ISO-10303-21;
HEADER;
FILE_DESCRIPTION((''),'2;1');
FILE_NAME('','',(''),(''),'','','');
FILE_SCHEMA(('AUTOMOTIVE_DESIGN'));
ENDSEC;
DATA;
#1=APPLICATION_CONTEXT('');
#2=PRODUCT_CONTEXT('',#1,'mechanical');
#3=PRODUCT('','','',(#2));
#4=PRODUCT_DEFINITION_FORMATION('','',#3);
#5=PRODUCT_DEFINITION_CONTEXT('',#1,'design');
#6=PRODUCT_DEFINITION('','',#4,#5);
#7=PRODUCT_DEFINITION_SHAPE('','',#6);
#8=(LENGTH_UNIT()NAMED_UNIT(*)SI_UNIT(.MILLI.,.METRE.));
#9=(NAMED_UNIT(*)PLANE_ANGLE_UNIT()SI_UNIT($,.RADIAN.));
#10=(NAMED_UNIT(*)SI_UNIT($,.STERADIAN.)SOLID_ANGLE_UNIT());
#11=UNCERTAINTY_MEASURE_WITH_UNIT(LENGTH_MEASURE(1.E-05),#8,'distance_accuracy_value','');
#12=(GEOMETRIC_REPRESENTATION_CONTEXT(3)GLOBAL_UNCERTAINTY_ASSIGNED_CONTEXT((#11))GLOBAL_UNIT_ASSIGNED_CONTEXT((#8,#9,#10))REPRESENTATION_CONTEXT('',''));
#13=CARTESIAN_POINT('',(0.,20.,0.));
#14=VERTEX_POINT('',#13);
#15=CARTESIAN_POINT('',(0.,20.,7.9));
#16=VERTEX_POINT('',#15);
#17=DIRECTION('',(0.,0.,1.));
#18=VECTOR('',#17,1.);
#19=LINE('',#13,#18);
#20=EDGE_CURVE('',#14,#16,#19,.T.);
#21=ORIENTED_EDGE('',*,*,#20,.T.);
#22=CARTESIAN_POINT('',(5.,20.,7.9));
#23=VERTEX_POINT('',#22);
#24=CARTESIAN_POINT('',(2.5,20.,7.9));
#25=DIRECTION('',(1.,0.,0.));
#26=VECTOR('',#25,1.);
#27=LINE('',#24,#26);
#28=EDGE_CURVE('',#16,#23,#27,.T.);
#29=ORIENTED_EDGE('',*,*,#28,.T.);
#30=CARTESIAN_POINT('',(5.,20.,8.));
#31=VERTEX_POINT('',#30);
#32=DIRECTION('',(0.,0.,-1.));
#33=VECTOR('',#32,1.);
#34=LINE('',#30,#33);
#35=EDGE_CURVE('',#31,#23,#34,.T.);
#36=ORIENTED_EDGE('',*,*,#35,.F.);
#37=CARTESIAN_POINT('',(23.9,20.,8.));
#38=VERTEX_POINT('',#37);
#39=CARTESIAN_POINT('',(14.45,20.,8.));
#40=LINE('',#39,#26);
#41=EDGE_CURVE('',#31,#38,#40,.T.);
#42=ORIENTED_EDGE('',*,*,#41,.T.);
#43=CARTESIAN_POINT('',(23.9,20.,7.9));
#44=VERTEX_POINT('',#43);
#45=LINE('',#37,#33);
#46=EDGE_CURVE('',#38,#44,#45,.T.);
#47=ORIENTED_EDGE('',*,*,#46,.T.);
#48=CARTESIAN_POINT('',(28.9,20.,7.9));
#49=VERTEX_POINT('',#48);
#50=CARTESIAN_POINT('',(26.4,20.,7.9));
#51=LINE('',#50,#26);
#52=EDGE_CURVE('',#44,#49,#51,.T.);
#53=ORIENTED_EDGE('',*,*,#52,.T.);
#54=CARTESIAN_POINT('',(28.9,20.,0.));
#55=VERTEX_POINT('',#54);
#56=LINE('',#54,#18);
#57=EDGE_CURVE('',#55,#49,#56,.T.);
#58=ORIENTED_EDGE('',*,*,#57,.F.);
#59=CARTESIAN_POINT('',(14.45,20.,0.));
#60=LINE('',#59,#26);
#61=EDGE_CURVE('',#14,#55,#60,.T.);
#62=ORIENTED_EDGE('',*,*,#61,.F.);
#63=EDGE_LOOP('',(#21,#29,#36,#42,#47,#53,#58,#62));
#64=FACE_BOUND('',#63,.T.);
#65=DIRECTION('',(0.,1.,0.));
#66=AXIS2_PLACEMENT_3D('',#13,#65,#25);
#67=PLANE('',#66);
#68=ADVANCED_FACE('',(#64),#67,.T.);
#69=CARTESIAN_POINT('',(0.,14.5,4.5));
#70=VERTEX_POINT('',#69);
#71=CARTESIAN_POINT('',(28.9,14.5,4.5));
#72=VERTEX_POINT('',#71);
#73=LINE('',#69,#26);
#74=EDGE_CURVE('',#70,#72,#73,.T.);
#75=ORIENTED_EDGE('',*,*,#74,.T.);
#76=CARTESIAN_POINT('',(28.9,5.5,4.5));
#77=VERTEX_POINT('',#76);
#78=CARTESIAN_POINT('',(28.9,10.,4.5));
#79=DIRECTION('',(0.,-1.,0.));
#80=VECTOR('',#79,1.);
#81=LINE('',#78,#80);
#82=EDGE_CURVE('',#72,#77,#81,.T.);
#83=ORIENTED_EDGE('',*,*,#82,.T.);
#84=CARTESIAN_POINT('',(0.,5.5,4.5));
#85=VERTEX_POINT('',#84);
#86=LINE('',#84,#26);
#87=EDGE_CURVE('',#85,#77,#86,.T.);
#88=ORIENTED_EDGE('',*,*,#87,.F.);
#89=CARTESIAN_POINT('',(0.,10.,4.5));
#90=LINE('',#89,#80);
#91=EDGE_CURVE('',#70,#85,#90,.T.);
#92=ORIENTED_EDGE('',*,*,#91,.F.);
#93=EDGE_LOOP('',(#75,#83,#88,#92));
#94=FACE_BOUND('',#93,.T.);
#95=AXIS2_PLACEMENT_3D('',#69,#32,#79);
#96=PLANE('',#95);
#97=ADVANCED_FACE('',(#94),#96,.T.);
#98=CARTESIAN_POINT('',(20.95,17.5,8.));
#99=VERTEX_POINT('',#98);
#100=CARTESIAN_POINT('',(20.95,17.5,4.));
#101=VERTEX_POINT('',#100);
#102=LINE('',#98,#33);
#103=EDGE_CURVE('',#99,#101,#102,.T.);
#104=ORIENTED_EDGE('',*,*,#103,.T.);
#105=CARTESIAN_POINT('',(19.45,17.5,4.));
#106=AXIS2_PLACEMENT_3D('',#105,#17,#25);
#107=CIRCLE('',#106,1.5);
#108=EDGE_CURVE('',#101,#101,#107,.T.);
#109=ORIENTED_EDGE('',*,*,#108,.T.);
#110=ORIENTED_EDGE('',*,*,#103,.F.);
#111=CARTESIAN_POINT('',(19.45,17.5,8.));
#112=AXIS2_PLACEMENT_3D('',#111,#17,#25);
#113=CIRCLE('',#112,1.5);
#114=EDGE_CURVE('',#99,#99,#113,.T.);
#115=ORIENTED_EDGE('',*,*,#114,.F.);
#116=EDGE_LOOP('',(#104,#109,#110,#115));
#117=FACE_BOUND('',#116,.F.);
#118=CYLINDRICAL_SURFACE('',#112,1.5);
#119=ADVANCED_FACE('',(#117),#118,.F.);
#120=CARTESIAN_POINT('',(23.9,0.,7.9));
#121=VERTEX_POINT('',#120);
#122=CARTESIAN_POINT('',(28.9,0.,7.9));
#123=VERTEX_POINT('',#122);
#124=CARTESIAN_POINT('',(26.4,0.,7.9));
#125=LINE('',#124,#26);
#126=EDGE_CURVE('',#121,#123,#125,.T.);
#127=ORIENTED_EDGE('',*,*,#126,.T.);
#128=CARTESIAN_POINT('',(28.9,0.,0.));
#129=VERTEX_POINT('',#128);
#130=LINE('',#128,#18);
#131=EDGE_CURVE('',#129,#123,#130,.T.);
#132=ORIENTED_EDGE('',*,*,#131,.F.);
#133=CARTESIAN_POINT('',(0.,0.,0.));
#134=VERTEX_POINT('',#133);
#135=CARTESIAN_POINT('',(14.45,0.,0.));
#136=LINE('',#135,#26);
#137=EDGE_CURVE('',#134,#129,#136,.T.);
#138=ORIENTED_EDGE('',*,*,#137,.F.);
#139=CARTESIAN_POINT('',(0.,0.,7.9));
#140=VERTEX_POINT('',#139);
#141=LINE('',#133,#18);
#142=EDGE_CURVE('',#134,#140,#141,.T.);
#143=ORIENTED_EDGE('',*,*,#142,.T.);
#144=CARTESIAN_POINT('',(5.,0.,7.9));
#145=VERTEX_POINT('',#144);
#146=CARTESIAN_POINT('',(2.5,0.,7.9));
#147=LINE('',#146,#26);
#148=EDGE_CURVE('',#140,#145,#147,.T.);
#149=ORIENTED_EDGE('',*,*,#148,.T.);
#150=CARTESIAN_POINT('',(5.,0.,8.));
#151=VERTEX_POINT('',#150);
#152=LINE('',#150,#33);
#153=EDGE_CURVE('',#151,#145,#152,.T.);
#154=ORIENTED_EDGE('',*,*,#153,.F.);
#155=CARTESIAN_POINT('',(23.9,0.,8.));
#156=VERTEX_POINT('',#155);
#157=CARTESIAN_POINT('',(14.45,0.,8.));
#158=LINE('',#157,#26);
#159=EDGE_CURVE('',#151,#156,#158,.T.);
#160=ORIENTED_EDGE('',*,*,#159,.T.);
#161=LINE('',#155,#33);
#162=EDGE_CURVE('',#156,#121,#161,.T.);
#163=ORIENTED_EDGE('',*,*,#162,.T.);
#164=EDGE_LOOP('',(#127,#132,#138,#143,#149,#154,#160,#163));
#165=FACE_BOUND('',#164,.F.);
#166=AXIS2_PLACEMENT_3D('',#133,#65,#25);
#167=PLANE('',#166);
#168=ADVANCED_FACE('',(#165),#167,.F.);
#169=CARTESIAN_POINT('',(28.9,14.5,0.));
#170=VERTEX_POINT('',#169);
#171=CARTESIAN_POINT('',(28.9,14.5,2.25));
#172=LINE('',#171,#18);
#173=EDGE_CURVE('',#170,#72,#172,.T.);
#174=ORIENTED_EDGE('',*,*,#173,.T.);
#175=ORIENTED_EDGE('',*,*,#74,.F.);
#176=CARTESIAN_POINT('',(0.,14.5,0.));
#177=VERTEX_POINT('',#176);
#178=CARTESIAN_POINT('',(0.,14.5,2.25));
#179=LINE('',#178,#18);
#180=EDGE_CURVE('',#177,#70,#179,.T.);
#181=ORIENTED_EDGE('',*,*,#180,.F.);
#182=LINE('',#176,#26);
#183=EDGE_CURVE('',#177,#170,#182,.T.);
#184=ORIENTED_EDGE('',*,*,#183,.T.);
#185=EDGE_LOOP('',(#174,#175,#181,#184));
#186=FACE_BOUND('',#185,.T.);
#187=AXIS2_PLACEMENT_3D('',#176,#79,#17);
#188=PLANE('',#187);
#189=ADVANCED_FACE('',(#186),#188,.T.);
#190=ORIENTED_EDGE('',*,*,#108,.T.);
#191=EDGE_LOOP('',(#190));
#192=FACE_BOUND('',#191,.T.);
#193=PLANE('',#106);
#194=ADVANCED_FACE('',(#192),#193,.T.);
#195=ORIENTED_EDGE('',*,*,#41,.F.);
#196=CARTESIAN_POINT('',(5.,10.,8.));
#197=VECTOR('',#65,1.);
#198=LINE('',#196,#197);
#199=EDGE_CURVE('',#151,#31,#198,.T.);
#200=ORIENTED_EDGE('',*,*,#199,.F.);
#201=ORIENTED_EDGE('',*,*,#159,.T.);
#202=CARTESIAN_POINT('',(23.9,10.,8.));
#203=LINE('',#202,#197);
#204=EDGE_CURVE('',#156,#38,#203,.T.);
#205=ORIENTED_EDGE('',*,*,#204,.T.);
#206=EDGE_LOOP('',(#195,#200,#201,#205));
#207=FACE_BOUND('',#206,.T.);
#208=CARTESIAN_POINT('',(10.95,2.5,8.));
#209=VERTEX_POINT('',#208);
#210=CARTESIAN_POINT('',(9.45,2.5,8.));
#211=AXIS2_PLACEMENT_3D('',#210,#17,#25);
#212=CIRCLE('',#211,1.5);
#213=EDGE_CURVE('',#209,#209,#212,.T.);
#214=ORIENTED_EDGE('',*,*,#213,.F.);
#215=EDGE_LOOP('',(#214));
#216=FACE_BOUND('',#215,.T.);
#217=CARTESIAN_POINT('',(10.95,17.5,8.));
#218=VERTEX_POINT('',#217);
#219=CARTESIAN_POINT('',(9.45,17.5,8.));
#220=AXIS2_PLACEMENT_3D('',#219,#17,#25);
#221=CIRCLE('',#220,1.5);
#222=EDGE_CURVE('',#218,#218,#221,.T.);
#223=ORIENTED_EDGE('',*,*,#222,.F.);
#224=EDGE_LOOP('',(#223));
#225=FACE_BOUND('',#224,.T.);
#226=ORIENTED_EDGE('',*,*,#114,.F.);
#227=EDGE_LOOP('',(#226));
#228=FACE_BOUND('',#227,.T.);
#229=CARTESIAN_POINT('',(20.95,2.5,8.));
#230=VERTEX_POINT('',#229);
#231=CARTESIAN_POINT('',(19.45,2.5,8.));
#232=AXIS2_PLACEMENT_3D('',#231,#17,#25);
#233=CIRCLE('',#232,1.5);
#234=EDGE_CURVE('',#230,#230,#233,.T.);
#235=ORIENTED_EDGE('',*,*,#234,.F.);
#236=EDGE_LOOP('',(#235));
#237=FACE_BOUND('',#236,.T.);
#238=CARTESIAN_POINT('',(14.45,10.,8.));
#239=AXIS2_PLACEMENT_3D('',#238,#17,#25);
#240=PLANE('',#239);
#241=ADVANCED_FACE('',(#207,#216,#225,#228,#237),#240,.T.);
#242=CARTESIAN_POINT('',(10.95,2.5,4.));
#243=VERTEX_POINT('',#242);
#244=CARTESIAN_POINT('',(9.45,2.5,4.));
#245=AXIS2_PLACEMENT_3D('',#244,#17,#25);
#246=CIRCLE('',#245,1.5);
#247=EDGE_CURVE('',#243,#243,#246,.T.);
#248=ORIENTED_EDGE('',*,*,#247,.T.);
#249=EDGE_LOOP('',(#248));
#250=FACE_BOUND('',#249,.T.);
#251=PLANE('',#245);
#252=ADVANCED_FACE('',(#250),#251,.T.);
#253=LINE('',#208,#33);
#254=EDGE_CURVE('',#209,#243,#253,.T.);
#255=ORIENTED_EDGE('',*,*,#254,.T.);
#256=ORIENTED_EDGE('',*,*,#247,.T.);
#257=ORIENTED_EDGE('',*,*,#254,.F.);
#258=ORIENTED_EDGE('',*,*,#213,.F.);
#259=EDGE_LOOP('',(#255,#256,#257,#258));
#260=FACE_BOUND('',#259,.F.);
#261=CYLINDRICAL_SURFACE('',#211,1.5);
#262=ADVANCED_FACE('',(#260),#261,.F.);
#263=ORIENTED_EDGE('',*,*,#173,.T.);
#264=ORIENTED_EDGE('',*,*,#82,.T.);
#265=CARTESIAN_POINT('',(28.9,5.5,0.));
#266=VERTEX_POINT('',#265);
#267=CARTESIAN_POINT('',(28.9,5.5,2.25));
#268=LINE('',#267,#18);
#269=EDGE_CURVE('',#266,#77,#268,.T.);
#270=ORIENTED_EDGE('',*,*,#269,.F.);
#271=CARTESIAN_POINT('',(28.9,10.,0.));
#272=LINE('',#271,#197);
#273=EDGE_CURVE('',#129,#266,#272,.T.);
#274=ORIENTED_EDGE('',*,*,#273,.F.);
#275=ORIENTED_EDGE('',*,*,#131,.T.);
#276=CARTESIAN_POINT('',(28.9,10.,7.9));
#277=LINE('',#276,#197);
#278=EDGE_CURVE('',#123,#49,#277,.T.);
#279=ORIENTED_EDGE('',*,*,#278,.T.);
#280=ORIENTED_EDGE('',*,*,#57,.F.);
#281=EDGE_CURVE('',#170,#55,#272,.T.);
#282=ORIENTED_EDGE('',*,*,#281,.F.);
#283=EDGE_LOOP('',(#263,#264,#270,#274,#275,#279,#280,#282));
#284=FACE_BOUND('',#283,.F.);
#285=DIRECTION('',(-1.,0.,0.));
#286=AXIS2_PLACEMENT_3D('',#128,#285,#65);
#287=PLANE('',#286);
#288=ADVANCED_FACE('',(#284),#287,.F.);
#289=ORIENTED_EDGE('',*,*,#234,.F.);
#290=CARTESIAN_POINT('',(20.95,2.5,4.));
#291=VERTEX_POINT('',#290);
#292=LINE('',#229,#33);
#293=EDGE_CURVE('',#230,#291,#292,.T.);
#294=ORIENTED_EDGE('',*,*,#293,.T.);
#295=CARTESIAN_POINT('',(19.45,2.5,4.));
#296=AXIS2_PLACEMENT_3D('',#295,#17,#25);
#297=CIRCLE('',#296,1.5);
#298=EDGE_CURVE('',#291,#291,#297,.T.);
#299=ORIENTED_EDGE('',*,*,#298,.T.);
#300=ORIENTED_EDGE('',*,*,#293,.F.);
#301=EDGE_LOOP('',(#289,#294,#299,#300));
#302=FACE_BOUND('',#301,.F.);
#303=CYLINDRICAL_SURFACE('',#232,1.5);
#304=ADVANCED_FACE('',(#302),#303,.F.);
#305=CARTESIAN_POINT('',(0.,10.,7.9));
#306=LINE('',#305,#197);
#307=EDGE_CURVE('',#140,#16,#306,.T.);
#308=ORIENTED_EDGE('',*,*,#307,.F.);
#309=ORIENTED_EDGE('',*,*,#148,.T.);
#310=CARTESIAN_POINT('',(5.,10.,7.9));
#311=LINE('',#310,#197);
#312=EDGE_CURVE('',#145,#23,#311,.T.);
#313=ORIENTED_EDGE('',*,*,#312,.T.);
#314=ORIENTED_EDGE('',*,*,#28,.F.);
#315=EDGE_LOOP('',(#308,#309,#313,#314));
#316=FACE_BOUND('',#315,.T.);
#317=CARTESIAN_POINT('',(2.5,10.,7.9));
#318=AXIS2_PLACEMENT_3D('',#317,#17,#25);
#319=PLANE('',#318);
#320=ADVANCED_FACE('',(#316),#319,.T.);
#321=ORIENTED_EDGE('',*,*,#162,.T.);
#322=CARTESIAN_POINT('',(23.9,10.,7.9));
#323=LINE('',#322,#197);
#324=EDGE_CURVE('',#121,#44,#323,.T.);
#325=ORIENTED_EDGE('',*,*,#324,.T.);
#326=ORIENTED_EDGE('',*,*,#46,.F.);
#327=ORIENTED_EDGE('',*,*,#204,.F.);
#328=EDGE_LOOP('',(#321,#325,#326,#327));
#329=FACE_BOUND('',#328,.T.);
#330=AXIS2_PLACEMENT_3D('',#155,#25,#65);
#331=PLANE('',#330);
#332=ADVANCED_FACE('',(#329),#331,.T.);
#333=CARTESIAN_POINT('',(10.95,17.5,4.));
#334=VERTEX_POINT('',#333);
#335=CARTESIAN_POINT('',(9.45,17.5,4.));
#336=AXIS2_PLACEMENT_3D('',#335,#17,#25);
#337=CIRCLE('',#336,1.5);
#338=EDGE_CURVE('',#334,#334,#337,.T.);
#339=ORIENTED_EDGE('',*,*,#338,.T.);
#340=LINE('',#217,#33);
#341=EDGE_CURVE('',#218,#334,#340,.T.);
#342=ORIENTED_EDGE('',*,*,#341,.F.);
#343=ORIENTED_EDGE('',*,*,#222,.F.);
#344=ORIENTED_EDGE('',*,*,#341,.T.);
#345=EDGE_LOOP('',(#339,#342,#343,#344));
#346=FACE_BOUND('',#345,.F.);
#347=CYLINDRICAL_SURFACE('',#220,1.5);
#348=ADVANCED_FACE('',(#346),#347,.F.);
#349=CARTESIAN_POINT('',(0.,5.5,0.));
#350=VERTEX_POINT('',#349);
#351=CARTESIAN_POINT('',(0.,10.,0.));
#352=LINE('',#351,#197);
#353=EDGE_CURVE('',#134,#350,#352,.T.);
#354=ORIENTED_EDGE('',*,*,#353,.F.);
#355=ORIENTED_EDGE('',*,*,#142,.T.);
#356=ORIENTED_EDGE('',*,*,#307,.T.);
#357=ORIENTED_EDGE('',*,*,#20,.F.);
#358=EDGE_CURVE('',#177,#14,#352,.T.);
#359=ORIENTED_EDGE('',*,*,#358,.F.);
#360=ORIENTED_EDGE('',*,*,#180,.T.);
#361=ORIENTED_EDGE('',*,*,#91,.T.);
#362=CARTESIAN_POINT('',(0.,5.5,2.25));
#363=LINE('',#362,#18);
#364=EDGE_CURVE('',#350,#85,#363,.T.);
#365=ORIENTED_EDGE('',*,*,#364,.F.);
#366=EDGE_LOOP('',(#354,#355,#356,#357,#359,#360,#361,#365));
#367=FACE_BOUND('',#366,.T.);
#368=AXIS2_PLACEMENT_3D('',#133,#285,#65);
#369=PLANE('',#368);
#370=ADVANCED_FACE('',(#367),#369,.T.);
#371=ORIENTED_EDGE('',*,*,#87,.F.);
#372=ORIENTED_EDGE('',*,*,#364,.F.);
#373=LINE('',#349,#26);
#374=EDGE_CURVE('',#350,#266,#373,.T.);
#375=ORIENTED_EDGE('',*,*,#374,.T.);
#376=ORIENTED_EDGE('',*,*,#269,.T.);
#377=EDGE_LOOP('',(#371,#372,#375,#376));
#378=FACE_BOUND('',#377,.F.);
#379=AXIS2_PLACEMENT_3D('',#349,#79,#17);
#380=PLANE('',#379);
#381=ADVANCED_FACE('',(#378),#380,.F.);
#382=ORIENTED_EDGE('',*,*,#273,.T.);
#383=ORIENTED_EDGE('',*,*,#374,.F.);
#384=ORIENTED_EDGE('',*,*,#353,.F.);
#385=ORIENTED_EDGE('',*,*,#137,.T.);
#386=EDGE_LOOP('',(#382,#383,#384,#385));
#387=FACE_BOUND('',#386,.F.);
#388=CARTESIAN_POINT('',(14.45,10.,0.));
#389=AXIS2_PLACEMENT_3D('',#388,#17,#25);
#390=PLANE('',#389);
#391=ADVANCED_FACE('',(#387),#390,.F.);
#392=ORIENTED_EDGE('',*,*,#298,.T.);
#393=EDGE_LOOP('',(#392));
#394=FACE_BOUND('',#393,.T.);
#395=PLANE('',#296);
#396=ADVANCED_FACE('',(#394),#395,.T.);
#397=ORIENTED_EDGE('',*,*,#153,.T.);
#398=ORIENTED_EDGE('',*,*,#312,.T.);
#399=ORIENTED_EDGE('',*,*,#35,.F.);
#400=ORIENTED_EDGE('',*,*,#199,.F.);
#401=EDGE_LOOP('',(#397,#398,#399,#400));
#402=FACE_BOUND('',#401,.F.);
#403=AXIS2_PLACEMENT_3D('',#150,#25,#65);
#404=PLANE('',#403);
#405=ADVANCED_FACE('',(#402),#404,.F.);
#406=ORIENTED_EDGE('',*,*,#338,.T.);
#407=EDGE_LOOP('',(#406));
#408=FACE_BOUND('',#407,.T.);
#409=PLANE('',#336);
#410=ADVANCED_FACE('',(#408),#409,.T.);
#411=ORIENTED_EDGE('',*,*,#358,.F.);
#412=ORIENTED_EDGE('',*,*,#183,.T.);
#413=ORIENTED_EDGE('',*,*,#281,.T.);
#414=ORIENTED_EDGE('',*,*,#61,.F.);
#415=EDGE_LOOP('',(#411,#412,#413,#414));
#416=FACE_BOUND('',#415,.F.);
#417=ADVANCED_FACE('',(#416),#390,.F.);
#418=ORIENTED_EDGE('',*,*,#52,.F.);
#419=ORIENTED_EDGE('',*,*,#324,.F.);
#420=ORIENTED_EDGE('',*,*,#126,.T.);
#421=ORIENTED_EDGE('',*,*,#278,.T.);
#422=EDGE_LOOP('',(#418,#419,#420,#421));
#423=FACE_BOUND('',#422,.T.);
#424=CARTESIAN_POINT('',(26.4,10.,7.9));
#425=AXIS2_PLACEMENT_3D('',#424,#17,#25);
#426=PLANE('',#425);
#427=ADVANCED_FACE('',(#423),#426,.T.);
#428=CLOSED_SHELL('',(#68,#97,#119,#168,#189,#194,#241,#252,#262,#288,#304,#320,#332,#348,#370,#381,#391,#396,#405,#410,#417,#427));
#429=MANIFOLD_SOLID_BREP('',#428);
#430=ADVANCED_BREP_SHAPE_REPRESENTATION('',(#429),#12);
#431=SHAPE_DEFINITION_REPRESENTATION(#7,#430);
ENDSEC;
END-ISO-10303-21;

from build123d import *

# Parameters (mm, degrees)
SKETCH002_W     = 28.9
SKETCH002_H     = 20
PAD001_DEPTH    = 8
SKETCH003_W     = 9
SKETCH003_H     = 4.5
POCKET001_DEPTH = 28.9
SKETCH004_R     = 1.5
POCKET002_DEPTH = 4
SKETCH005_W     = 5
SKETCH005_H     = 20
POCKET003_DEPTH = 0.1


with BuildPart() as part:
    # Sketch002 → Pad001 (new body)
    with BuildSketch(Plane.XY):
        with Locations((14.45, 10)):
            Rectangle(SKETCH002_W, SKETCH002_H)
    extrude(amount=PAD001_DEPTH)

    # Sketch003 (on Face4 of Pad001) → Pocket001 (cut)
    with BuildSketch(Plane(origin=(0, 0, 0), x_dir=(0, -1, 0), z_dir=(-1, 0, 0))):
        with Locations((-10, 2.25)):
            Rectangle(SKETCH003_W, SKETCH003_H)
    extrude(amount=-POCKET001_DEPTH, mode=Mode.SUBTRACT)

    # Sketch004 (on Face5 of Pocket001) → Pocket002 (cut)
    with BuildSketch(Plane.XY.offset(8)):
        with Locations((9.45, 17.5)):
            Circle(SKETCH004_R)
        with Locations((19.45, 17.5)):
            Circle(SKETCH004_R)
        with Locations((19.45, 2.5)):
            Circle(SKETCH004_R)
        with Locations((9.45, 2.5)):
            Circle(SKETCH004_R)
    extrude(amount=-POCKET002_DEPTH, mode=Mode.SUBTRACT)

    # Sketch005 (on Face5 of Pocket002) → Pocket003 (cut)
    with BuildSketch(Plane.XY.offset(8)):
        with Locations((2.5, 10)):
            Rectangle(SKETCH005_W, SKETCH005_H)
        with Locations((26.4, 10)):
            Rectangle(SKETCH005_W, SKETCH005_H)
    extrude(amount=-POCKET003_DEPTH, mode=Mode.SUBTRACT)


solid = part.part
